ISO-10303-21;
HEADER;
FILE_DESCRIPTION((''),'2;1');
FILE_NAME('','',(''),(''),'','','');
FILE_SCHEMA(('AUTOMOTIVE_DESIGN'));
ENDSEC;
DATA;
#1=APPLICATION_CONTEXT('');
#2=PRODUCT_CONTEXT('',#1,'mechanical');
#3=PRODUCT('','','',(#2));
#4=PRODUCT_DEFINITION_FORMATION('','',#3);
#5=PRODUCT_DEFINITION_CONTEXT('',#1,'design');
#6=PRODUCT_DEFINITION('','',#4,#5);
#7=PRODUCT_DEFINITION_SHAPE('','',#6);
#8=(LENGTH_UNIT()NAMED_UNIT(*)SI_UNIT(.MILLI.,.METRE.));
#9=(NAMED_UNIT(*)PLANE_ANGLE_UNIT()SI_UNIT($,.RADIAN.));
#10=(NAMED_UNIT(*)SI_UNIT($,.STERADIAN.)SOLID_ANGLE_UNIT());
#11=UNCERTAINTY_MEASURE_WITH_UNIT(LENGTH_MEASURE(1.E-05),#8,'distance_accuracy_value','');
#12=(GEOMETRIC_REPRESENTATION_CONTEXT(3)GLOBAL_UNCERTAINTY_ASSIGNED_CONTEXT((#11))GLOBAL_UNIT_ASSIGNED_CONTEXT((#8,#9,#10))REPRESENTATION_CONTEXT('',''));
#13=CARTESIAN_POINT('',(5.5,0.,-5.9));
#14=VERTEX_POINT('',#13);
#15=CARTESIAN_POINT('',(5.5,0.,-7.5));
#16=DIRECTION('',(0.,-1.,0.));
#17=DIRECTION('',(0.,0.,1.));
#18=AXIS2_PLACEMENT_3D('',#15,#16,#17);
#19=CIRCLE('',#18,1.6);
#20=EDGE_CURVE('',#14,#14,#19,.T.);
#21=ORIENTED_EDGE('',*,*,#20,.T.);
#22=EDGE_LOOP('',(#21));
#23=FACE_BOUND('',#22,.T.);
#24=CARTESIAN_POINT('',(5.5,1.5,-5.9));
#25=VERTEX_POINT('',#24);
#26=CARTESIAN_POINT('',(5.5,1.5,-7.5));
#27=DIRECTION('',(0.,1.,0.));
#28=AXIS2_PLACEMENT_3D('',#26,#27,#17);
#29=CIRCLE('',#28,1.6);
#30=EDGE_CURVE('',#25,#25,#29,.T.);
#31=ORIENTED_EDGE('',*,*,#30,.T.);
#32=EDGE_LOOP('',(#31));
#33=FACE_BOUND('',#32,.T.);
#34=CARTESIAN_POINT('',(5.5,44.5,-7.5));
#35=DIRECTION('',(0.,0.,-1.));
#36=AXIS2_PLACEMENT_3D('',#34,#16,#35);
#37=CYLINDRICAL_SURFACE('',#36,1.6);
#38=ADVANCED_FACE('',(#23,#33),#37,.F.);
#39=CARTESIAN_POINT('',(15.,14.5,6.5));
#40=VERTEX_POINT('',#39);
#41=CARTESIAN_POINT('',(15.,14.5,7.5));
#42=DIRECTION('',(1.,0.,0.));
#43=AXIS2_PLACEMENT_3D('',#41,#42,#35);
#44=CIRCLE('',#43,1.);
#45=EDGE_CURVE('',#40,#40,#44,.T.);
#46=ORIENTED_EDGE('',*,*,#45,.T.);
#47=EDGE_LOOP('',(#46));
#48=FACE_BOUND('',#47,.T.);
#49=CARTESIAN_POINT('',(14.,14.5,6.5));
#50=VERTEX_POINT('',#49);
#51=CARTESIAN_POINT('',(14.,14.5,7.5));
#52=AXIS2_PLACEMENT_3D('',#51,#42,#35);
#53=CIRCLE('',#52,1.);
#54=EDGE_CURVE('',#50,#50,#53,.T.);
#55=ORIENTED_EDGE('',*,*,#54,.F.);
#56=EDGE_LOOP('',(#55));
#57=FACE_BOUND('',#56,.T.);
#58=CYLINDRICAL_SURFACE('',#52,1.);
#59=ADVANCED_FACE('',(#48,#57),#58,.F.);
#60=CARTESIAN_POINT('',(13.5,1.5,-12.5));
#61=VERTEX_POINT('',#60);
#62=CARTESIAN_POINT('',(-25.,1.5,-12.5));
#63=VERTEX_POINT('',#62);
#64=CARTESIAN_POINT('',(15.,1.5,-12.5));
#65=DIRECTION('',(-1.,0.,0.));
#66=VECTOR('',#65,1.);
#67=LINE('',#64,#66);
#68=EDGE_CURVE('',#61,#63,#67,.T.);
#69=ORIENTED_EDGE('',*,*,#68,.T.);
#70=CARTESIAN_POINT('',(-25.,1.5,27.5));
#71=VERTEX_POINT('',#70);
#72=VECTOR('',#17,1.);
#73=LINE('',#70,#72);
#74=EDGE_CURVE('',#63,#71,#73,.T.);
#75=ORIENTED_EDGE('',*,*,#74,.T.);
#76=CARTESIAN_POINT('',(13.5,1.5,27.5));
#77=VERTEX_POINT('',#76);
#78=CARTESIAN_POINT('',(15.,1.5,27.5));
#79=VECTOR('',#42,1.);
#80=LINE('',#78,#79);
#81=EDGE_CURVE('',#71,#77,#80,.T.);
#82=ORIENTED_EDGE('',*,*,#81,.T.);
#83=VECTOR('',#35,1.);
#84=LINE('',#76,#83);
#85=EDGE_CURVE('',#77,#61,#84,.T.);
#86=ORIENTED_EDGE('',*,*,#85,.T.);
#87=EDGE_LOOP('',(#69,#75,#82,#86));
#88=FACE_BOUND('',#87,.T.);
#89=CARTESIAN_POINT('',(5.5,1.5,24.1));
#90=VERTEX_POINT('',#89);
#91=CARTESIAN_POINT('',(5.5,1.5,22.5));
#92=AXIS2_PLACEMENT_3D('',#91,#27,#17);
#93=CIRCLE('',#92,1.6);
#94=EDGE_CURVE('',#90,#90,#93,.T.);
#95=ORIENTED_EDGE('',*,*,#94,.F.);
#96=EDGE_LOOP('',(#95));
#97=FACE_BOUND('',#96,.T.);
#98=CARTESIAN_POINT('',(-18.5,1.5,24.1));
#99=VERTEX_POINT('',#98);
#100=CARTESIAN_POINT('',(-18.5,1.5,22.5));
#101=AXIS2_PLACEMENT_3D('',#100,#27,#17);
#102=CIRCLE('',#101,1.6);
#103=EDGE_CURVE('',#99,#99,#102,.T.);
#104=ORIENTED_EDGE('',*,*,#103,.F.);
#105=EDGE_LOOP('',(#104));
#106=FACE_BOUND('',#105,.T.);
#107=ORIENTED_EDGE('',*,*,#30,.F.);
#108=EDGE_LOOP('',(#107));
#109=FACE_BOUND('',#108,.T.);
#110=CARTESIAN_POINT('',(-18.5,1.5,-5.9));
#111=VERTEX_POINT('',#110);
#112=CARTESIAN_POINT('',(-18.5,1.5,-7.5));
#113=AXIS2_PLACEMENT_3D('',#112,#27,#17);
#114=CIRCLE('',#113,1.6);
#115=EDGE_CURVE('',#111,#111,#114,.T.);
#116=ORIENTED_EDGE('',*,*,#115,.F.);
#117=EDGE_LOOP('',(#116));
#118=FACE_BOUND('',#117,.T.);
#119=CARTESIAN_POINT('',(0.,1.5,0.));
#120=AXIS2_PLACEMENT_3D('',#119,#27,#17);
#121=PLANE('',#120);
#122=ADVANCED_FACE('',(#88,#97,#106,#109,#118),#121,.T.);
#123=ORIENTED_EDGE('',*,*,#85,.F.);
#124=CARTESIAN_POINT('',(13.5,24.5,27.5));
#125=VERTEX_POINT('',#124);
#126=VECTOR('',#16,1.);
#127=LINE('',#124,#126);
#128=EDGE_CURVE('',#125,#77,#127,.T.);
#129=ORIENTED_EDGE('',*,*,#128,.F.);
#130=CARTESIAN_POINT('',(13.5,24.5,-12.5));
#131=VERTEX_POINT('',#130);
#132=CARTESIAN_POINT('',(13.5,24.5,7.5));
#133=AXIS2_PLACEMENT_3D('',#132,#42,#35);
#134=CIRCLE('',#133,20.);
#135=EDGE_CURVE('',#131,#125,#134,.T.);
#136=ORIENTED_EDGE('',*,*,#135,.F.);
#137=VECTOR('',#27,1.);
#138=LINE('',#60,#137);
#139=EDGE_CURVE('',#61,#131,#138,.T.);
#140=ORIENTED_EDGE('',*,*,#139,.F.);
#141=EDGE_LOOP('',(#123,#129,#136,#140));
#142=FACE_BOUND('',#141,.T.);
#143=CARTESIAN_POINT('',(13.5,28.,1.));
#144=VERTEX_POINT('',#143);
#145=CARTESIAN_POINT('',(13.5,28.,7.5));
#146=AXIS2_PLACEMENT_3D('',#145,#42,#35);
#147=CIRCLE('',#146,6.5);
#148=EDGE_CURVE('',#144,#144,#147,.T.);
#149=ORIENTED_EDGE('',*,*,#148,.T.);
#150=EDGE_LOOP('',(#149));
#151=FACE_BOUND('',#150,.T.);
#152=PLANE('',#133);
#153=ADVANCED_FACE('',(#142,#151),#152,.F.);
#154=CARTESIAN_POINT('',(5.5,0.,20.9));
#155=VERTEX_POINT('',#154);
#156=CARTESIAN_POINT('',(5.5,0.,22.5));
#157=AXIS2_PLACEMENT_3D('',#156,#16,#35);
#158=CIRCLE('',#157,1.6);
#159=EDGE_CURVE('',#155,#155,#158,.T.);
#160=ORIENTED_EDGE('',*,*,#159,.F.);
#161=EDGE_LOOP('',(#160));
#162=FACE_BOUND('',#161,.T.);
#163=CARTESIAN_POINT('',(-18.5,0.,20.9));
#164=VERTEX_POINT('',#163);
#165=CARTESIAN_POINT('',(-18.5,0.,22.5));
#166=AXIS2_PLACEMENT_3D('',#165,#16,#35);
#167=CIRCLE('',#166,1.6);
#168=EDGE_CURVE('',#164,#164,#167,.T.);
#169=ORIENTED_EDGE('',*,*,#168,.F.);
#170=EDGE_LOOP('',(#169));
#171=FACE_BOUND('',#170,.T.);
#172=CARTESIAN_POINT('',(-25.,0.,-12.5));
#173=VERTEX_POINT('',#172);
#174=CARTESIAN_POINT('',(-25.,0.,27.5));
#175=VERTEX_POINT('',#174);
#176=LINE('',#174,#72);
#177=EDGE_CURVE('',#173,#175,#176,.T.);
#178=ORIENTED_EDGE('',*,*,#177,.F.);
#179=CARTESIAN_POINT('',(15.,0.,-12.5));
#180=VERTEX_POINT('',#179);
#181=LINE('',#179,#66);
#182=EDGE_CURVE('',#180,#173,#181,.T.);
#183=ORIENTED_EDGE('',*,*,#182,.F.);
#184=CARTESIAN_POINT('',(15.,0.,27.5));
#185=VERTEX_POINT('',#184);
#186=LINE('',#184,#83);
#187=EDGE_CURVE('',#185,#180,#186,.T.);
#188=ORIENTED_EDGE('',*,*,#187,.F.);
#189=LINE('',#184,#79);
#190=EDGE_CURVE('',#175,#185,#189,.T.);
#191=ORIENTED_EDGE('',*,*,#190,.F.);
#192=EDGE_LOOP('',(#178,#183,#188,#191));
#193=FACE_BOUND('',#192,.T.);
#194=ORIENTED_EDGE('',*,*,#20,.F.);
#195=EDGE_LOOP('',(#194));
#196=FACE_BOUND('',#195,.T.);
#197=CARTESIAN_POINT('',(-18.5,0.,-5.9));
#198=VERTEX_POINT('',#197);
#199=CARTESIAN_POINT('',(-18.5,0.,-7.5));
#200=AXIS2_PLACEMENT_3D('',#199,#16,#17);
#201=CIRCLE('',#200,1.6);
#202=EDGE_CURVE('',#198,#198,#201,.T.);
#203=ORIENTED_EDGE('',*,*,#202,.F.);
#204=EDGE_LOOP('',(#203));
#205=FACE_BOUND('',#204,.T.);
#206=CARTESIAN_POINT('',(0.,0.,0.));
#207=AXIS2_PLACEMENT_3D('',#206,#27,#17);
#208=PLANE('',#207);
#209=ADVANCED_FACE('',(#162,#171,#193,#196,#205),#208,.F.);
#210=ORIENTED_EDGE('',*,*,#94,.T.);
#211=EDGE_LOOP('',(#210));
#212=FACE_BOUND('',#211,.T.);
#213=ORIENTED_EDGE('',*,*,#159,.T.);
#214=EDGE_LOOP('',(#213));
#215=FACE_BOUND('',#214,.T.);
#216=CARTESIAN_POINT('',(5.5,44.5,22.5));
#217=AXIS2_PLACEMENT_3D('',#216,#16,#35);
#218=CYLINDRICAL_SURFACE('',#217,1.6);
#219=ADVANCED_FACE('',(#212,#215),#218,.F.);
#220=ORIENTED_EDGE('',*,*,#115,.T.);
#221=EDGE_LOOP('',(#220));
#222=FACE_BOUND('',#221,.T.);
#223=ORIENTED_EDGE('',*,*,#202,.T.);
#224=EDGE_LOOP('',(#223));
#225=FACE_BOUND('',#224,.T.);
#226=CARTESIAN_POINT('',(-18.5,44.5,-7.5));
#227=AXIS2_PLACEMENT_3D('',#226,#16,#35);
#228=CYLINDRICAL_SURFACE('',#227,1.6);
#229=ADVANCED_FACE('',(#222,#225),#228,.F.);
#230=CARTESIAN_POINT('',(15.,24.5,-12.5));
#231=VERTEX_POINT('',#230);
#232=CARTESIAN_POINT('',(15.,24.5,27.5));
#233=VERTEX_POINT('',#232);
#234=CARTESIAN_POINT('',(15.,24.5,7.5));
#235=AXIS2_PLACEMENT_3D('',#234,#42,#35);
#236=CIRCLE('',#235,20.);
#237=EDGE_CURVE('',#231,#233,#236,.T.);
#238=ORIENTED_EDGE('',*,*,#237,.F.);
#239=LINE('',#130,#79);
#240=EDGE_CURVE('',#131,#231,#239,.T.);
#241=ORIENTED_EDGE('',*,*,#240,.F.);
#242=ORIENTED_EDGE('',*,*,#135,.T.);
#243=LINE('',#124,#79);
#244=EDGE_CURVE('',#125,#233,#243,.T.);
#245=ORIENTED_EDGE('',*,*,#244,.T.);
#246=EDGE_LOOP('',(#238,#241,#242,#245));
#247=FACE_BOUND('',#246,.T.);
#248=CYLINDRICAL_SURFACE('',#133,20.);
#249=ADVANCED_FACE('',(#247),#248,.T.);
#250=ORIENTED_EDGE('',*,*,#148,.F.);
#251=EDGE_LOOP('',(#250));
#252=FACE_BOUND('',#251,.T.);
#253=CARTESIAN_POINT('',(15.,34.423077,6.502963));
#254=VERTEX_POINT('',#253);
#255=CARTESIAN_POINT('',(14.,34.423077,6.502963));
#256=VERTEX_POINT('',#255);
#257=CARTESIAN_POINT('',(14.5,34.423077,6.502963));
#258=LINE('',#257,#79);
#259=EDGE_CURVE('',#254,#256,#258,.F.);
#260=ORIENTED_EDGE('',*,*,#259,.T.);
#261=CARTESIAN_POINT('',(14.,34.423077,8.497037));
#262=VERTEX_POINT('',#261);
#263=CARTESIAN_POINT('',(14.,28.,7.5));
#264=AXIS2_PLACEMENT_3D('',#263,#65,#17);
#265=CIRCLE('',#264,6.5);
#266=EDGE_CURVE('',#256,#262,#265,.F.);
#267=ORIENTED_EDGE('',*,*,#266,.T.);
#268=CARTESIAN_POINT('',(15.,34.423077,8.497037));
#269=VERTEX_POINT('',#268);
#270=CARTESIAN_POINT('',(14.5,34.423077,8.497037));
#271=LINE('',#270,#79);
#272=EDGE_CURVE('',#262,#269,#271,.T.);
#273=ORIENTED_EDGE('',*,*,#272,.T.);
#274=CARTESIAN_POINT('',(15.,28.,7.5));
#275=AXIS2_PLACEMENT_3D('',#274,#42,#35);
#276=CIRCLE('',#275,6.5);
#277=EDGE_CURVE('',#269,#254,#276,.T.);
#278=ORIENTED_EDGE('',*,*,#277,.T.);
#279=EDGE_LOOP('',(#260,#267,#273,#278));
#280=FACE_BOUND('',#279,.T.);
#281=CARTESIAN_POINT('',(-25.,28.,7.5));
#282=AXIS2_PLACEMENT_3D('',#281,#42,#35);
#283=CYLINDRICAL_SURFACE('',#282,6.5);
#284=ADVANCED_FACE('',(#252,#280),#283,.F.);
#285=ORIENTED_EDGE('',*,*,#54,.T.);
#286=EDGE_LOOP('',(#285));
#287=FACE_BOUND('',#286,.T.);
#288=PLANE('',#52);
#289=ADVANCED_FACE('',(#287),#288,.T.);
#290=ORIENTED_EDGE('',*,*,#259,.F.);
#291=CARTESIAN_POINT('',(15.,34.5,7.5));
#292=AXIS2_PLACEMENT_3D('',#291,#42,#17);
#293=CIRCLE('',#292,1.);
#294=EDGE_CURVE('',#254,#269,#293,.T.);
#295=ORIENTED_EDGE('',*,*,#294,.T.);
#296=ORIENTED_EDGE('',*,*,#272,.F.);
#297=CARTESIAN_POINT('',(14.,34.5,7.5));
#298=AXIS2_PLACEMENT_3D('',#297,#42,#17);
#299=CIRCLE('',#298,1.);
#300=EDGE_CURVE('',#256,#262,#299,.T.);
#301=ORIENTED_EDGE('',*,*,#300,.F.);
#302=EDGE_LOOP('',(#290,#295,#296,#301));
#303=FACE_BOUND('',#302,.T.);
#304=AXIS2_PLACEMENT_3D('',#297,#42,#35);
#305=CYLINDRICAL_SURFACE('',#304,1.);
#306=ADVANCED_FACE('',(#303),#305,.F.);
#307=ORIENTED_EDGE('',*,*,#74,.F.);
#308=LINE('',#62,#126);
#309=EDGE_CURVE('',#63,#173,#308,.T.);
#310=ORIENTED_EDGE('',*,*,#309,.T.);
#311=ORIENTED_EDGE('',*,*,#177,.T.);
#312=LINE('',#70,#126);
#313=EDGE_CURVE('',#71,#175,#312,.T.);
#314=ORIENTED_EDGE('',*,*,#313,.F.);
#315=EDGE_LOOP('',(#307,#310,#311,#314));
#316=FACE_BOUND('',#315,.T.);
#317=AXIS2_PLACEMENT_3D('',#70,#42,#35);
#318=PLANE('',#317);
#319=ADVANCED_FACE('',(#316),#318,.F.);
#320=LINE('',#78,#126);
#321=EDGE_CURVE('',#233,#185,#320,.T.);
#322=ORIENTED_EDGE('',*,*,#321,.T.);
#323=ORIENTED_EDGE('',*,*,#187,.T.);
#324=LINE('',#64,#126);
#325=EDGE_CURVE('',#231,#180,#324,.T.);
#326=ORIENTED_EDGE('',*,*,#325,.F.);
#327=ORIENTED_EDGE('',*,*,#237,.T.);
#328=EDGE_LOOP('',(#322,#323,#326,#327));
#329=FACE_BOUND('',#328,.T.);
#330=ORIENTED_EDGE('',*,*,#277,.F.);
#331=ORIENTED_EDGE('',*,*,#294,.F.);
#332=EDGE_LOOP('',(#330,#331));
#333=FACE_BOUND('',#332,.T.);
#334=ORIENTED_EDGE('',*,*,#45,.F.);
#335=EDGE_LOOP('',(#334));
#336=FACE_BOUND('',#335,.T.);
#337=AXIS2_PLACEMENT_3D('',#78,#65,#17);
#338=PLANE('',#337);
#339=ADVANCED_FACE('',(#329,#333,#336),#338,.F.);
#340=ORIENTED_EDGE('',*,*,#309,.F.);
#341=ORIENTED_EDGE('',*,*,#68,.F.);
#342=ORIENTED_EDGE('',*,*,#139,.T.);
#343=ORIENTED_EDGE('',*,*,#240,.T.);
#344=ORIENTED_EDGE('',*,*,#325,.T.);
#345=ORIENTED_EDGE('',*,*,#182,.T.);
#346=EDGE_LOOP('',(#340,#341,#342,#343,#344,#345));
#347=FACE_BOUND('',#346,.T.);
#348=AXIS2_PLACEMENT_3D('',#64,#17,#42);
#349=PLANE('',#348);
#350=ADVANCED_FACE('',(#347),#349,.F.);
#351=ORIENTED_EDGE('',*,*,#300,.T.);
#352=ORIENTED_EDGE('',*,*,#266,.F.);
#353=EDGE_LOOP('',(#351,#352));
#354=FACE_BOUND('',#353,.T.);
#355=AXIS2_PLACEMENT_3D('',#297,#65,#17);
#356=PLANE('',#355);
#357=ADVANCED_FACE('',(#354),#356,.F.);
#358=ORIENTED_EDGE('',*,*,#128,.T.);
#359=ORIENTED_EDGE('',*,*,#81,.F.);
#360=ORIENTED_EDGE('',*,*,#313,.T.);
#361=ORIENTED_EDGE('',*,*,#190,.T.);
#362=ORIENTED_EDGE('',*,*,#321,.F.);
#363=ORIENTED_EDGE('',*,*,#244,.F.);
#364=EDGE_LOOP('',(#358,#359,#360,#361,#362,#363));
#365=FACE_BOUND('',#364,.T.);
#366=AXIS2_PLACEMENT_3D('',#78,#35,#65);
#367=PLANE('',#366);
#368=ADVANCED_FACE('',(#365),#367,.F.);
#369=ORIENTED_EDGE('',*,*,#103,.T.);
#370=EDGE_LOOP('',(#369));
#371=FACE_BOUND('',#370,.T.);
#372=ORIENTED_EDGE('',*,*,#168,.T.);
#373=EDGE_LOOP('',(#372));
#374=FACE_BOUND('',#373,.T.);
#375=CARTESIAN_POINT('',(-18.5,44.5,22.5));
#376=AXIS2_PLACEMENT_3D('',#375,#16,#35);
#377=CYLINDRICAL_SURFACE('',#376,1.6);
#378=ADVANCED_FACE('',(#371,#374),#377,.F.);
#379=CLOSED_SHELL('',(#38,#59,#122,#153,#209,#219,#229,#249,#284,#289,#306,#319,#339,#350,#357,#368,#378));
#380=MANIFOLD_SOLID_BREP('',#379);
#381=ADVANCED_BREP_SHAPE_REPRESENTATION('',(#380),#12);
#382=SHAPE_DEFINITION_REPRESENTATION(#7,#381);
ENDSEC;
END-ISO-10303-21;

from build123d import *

# Parameters (mm, degrees)
SKETCH_1_W          = 40
SKETCH_1_H          = 40
EXTRUDE_1_DEPTH     = 1.5
EXTRUDE_2_DEPTH     = 1.5
SKETCH_4_R          = 1.6
CUT_EXTRUDE_1_DEPTH = 45.5
SKETCH_6_R          = 6.5
CUT_EXTRUDE_2_DEPTH = 41
SKETCH_7_R          = 1
CUT_EXTRUDE_3_DEPTH = 1


with BuildPart() as part:
    # 草图1 → 凸台-拉伸1 (new body)
    with BuildSketch(Plane(origin=(0, 0, 0), x_dir=(1, 0, 0), z_dir=(0, 1, 0))):
        with Locations((-5, -7.5)):
            Rectangle(SKETCH_1_W, SKETCH_1_H)
    extrude(amount=EXTRUDE_1_DEPTH)

    # 草图3 → 凸台-拉伸2 (add)
    with BuildSketch(Plane(origin=(15, 0, 0), x_dir=(0, 0, -1), z_dir=(1, 0, 0))):
        with BuildLine():
            Line((-27.5, 1.5), (12.5, 1.5))
            Line((12.5, 1.5), (12.5, 24.5))
            ThreePointArc((12.5, 24.5), (-7.5, 44.5), (-27.5, 24.5))
            Line((-27.5, 24.5), (-27.5, 1.5))
        make_face()
    extrude(amount=-EXTRUDE_2_DEPTH)

    # 草图4 → 切除-拉伸1 (cut, through all)
    with BuildSketch(Plane.XZ):
        with Locations((-18.5, 22.5)):
            Circle(SKETCH_4_R)
        with Locations((-18.5, -7.5)):
            Circle(SKETCH_4_R)
        with Locations((5.5, 22.5)):
            Circle(SKETCH_4_R)
        with Locations((5.5, -7.5)):
            Circle(SKETCH_4_R)
    extrude(amount=-CUT_EXTRUDE_1_DEPTH, mode=Mode.SUBTRACT)

    # 草图6 → 切除-拉伸2 (cut, through all)
    with BuildSketch(Plane(origin=(15, 0, 0), x_dir=(0, 0, -1), z_dir=(1, 0, 0))):
        with Locations((-7.5, 28)):
            Circle(SKETCH_6_R)
    extrude(amount=-CUT_EXTRUDE_2_DEPTH, mode=Mode.SUBTRACT)

    # 草图7 → 切除-拉伸3 (cut)
    with BuildSketch(Plane(origin=(15, 0, 0), x_dir=(0, 0, -1), z_dir=(1, 0, 0))):
        with Locations((-7.5, 14.5)):
            Circle(SKETCH_7_R)
        with Locations((-7.5, 34.5)):
            Circle(SKETCH_7_R)
    extrude(amount=-CUT_EXTRUDE_3_DEPTH, mode=Mode.SUBTRACT)


solid = part.part
